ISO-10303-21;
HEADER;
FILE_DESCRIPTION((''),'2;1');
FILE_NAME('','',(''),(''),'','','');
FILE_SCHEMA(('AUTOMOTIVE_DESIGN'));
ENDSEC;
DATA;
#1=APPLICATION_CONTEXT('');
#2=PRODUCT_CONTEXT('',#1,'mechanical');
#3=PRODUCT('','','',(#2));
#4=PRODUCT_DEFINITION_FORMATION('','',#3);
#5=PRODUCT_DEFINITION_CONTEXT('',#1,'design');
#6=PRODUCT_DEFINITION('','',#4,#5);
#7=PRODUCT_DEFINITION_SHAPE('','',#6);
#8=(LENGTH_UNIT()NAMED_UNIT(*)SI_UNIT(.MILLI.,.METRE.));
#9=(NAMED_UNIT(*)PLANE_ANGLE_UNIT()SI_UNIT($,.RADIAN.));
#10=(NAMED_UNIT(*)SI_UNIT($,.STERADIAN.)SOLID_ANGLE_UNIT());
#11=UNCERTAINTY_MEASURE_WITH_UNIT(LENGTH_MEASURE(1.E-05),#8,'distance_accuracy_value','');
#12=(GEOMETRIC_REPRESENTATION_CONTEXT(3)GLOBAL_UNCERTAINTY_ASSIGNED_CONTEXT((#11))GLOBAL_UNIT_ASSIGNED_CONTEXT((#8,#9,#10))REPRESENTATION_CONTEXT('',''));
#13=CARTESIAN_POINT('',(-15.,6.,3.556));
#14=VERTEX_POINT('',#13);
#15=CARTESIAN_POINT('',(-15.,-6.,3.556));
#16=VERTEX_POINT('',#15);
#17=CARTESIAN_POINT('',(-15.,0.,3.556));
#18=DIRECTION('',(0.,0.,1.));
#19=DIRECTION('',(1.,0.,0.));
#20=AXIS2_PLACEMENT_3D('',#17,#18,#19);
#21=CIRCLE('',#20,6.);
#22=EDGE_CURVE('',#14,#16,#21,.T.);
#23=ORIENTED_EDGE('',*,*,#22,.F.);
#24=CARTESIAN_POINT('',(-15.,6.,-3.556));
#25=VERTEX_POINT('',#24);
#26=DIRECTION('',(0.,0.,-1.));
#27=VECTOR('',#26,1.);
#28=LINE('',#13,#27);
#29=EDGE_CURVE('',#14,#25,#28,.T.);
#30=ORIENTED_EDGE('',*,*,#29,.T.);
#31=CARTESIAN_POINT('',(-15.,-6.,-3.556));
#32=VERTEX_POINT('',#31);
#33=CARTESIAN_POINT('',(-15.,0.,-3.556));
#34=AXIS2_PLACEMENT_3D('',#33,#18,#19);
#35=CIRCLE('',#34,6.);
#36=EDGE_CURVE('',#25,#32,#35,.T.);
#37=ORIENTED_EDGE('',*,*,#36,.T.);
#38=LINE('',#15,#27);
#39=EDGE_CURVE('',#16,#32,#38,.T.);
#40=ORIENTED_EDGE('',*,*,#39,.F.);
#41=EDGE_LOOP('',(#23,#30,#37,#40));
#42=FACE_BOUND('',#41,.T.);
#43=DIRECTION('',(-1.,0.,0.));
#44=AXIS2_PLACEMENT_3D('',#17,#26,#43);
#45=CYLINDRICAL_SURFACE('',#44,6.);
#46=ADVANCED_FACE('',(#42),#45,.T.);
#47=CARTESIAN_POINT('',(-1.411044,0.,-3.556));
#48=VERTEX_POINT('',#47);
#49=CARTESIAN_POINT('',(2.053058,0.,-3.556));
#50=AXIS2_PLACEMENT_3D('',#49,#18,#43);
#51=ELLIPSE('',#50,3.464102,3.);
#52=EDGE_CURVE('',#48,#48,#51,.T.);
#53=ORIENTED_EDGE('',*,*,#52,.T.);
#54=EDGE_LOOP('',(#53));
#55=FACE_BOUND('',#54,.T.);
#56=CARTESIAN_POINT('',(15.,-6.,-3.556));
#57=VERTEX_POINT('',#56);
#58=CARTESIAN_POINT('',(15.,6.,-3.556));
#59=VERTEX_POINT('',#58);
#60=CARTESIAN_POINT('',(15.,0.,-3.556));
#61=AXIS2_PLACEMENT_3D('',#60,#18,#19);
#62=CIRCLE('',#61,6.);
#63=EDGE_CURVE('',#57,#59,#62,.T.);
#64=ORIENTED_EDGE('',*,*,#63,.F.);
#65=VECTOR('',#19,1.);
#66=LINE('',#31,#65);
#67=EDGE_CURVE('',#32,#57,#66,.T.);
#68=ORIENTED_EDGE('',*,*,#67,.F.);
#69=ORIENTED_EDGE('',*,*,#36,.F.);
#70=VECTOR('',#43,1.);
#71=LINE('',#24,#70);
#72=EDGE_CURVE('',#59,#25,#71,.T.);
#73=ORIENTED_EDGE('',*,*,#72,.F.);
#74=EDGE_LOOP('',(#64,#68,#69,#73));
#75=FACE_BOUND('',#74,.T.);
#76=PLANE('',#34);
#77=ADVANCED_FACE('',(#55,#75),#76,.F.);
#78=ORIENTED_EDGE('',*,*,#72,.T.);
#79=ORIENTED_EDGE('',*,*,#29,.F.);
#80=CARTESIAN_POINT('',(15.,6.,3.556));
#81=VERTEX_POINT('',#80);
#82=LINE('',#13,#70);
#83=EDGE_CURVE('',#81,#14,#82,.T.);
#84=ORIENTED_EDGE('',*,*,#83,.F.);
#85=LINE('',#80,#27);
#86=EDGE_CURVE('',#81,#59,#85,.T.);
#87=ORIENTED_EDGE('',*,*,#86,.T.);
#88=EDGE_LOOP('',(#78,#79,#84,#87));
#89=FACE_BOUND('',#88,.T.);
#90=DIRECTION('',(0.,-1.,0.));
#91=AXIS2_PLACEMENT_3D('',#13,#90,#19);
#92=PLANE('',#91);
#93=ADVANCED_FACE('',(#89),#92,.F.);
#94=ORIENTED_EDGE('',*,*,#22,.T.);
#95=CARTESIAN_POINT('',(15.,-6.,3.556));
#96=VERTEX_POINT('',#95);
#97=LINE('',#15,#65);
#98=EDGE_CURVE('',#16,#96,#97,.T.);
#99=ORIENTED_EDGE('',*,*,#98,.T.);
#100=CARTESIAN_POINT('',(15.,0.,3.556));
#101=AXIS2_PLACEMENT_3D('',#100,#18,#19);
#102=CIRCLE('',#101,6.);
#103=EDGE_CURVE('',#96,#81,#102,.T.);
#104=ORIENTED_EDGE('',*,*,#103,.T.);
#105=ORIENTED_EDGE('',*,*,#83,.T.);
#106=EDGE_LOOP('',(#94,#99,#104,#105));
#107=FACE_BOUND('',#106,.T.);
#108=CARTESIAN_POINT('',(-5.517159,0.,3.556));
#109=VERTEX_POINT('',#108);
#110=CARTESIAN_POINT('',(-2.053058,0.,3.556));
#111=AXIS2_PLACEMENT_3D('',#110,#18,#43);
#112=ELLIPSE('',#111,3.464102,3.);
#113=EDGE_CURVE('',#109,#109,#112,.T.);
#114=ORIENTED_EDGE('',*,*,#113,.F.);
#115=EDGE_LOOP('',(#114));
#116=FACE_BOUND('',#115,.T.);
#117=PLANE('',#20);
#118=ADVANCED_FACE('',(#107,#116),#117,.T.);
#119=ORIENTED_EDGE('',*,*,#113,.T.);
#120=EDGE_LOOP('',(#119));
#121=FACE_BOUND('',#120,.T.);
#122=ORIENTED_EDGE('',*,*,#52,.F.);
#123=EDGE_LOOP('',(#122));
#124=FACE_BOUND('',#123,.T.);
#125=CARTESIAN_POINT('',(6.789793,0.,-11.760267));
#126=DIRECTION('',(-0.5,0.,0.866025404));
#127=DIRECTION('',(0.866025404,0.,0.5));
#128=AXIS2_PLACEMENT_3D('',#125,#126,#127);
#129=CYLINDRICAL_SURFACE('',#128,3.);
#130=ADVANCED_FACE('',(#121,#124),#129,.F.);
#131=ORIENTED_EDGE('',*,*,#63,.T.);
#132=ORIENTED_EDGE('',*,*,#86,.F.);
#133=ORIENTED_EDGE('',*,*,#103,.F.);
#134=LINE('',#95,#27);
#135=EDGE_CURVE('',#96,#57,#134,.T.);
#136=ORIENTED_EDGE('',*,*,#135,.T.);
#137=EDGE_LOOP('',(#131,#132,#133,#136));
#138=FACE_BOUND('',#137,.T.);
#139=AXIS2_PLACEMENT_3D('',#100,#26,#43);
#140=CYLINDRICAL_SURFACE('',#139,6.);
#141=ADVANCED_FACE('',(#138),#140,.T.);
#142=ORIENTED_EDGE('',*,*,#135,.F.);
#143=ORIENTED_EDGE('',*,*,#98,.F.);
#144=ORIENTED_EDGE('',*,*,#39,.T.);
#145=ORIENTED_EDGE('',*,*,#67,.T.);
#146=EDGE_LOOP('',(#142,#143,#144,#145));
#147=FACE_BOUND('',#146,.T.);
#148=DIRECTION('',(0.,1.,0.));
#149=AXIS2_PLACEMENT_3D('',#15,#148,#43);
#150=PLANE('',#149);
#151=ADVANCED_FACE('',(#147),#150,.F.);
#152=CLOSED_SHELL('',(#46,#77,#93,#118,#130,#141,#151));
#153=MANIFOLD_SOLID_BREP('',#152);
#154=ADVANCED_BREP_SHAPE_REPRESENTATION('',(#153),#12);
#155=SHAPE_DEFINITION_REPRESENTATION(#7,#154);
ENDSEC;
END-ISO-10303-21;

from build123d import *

# Parameters (mm, degrees)
BOSS_EXTRUDE1_DEPTH     = 3.556
CUT_EXTRUDE1_DEPTH      = 23.127926609
CUT_EXTRUDE1_DEPTH_BACK = 23.127926609
SKETCH6_R               = 3


with BuildPart() as part:
    # Sketch1 → Boss-Extrude1 (new, symmetric)
    with BuildSketch(Plane.XY):
        with BuildLine():
            Line((-15, 6), (15, 6))
            ThreePointArc((15, 6), (21, 0), (15, -6))
            Line((15, -6), (-15, -6))
            ThreePointArc((-15, -6), (-21, 0), (-15, 6))
        make_face()
    extrude(amount=BOSS_EXTRUDE1_DEPTH, both=True)

    # Sketch6 → Cut-Extrude1 (cut, two sides: drawn at the far end of the back side and taken through both)
    with BuildSketch(Plane(origin=(0, 0, 0), x_dir=(0, 1, 0), z_dir=(-0.500000000000001, 0, 0.866025403784438)).offset(-CUT_EXTRUDE1_DEPTH_BACK)):
        Circle(SKETCH6_R)
    extrude(amount=CUT_EXTRUDE1_DEPTH + CUT_EXTRUDE1_DEPTH_BACK, mode=Mode.SUBTRACT)


solid = part.part
